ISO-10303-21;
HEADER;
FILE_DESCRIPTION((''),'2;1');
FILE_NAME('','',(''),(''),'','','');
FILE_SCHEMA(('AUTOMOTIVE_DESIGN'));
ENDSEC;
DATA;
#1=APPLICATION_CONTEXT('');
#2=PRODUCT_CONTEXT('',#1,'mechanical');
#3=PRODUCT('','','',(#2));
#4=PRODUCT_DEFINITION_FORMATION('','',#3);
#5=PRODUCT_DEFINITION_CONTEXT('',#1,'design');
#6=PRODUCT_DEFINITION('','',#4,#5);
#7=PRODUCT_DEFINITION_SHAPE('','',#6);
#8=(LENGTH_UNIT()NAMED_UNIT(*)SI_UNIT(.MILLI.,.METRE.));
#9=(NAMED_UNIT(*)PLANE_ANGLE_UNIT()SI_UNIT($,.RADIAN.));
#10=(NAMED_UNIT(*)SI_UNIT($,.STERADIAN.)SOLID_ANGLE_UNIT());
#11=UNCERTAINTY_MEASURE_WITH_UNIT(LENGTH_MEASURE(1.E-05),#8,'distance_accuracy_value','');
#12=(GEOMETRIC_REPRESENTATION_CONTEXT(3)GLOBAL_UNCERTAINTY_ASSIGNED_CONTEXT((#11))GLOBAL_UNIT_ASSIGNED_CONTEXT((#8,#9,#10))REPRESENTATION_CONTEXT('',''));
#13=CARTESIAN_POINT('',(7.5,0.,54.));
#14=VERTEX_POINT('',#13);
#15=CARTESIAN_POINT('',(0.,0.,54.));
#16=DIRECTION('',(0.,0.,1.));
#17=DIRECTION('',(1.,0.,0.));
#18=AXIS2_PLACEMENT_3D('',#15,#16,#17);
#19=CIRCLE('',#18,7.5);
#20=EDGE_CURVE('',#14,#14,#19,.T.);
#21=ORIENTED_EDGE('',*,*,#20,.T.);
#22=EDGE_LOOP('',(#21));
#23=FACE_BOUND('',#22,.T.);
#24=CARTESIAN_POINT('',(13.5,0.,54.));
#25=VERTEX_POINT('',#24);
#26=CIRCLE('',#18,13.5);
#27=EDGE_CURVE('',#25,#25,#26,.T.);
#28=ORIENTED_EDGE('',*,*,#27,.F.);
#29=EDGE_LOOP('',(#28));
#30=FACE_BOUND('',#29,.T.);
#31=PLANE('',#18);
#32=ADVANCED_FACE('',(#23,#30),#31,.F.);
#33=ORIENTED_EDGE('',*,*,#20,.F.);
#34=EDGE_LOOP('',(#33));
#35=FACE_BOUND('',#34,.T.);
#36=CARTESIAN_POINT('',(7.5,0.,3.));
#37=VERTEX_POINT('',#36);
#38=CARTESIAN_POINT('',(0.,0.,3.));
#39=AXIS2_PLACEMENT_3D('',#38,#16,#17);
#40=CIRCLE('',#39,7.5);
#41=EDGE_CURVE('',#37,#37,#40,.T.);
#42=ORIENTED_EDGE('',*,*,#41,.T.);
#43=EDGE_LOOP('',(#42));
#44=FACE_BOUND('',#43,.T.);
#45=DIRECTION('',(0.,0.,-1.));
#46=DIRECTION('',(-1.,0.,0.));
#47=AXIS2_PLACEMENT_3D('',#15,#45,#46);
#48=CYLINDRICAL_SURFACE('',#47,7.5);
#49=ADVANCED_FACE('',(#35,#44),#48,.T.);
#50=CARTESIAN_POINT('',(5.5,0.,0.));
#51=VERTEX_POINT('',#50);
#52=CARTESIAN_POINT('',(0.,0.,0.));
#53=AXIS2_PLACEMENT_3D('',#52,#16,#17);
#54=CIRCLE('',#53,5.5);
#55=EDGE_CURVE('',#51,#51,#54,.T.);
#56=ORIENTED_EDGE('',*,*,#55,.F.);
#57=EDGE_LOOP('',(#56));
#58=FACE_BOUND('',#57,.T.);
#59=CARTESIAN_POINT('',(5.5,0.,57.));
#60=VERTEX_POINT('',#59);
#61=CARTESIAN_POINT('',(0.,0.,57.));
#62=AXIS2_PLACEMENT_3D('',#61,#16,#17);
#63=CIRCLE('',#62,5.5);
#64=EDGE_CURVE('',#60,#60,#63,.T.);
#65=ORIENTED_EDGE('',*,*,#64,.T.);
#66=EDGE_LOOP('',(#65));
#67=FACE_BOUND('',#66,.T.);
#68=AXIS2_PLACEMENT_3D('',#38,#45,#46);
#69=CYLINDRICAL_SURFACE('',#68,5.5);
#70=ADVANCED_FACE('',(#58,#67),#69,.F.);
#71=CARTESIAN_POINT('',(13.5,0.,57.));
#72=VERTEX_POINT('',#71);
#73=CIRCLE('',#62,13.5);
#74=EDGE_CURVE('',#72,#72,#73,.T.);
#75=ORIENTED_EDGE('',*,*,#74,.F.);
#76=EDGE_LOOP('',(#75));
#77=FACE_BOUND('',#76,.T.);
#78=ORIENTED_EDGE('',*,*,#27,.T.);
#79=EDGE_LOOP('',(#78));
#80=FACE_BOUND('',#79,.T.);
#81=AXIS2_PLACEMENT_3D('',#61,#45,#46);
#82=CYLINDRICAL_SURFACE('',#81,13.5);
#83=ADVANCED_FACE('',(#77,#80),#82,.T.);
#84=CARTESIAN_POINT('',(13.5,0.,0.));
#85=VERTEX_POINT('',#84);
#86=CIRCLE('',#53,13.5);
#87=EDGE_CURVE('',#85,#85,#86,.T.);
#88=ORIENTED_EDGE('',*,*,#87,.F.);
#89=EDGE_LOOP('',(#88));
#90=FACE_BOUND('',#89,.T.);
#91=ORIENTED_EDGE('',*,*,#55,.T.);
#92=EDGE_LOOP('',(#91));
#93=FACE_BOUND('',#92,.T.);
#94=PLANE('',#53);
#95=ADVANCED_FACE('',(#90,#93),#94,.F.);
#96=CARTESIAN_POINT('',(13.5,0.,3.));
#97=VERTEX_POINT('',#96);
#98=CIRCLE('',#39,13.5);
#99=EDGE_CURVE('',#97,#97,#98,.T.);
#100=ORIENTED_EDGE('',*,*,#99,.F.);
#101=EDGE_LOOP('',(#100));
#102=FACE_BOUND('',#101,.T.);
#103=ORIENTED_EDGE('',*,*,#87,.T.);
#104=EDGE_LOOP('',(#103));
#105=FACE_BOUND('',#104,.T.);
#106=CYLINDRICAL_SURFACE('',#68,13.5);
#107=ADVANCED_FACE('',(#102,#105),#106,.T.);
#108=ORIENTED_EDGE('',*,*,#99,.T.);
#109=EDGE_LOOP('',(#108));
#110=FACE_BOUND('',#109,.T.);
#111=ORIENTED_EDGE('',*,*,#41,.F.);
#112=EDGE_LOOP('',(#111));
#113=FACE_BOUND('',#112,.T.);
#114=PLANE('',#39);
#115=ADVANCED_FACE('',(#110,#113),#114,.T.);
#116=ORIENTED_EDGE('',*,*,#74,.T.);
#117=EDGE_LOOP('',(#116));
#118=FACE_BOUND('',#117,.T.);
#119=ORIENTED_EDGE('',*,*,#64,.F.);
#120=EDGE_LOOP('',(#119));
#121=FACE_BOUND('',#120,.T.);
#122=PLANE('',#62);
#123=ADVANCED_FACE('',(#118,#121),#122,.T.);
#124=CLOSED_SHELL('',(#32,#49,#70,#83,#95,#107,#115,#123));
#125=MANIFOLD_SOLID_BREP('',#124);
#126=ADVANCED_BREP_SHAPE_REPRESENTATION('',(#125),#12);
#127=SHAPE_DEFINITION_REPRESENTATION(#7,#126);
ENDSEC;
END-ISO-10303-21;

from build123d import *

# Parameters (mm, degrees)
ESBO_O1_R                = 13.5
ESBO_O1_R_2              = 5.5
RESSALTO_EXTRUS_O1_DEPTH = 3
ESBO_O2_R                = 7.5
ESBO_O2_R_2              = 5.5
RESSALTO_EXTRUS_O2_DEPTH = 51
ESBO_O3_R                = 13.5
ESBO_O3_R_2              = 5.5
RESSALTO_EXTRUS_O3_DEPTH = 3


with BuildPart() as part:
    # Esboço1 → Ressalto-extrusão1 (new body)
    with BuildSketch(Plane.XY):
        Circle(ESBO_O1_R)
        Circle(ESBO_O1_R_2, mode=Mode.SUBTRACT)
    extrude(amount=RESSALTO_EXTRUS_O1_DEPTH)

    # Esboço2 → Ressalto-extrusão2 (add)
    with BuildSketch(Plane.XY.offset(3)):
        Circle(ESBO_O2_R)
        Circle(ESBO_O2_R_2, mode=Mode.SUBTRACT)
    extrude(amount=RESSALTO_EXTRUS_O2_DEPTH)

    # Esboço3 → Ressalto-extrusão3 (add)
    with BuildSketch(Plane.XY.offset(54)):
        Circle(ESBO_O3_R)
        Circle(ESBO_O3_R_2, mode=Mode.SUBTRACT)
    extrude(amount=RESSALTO_EXTRUS_O3_DEPTH)


solid = part.part
